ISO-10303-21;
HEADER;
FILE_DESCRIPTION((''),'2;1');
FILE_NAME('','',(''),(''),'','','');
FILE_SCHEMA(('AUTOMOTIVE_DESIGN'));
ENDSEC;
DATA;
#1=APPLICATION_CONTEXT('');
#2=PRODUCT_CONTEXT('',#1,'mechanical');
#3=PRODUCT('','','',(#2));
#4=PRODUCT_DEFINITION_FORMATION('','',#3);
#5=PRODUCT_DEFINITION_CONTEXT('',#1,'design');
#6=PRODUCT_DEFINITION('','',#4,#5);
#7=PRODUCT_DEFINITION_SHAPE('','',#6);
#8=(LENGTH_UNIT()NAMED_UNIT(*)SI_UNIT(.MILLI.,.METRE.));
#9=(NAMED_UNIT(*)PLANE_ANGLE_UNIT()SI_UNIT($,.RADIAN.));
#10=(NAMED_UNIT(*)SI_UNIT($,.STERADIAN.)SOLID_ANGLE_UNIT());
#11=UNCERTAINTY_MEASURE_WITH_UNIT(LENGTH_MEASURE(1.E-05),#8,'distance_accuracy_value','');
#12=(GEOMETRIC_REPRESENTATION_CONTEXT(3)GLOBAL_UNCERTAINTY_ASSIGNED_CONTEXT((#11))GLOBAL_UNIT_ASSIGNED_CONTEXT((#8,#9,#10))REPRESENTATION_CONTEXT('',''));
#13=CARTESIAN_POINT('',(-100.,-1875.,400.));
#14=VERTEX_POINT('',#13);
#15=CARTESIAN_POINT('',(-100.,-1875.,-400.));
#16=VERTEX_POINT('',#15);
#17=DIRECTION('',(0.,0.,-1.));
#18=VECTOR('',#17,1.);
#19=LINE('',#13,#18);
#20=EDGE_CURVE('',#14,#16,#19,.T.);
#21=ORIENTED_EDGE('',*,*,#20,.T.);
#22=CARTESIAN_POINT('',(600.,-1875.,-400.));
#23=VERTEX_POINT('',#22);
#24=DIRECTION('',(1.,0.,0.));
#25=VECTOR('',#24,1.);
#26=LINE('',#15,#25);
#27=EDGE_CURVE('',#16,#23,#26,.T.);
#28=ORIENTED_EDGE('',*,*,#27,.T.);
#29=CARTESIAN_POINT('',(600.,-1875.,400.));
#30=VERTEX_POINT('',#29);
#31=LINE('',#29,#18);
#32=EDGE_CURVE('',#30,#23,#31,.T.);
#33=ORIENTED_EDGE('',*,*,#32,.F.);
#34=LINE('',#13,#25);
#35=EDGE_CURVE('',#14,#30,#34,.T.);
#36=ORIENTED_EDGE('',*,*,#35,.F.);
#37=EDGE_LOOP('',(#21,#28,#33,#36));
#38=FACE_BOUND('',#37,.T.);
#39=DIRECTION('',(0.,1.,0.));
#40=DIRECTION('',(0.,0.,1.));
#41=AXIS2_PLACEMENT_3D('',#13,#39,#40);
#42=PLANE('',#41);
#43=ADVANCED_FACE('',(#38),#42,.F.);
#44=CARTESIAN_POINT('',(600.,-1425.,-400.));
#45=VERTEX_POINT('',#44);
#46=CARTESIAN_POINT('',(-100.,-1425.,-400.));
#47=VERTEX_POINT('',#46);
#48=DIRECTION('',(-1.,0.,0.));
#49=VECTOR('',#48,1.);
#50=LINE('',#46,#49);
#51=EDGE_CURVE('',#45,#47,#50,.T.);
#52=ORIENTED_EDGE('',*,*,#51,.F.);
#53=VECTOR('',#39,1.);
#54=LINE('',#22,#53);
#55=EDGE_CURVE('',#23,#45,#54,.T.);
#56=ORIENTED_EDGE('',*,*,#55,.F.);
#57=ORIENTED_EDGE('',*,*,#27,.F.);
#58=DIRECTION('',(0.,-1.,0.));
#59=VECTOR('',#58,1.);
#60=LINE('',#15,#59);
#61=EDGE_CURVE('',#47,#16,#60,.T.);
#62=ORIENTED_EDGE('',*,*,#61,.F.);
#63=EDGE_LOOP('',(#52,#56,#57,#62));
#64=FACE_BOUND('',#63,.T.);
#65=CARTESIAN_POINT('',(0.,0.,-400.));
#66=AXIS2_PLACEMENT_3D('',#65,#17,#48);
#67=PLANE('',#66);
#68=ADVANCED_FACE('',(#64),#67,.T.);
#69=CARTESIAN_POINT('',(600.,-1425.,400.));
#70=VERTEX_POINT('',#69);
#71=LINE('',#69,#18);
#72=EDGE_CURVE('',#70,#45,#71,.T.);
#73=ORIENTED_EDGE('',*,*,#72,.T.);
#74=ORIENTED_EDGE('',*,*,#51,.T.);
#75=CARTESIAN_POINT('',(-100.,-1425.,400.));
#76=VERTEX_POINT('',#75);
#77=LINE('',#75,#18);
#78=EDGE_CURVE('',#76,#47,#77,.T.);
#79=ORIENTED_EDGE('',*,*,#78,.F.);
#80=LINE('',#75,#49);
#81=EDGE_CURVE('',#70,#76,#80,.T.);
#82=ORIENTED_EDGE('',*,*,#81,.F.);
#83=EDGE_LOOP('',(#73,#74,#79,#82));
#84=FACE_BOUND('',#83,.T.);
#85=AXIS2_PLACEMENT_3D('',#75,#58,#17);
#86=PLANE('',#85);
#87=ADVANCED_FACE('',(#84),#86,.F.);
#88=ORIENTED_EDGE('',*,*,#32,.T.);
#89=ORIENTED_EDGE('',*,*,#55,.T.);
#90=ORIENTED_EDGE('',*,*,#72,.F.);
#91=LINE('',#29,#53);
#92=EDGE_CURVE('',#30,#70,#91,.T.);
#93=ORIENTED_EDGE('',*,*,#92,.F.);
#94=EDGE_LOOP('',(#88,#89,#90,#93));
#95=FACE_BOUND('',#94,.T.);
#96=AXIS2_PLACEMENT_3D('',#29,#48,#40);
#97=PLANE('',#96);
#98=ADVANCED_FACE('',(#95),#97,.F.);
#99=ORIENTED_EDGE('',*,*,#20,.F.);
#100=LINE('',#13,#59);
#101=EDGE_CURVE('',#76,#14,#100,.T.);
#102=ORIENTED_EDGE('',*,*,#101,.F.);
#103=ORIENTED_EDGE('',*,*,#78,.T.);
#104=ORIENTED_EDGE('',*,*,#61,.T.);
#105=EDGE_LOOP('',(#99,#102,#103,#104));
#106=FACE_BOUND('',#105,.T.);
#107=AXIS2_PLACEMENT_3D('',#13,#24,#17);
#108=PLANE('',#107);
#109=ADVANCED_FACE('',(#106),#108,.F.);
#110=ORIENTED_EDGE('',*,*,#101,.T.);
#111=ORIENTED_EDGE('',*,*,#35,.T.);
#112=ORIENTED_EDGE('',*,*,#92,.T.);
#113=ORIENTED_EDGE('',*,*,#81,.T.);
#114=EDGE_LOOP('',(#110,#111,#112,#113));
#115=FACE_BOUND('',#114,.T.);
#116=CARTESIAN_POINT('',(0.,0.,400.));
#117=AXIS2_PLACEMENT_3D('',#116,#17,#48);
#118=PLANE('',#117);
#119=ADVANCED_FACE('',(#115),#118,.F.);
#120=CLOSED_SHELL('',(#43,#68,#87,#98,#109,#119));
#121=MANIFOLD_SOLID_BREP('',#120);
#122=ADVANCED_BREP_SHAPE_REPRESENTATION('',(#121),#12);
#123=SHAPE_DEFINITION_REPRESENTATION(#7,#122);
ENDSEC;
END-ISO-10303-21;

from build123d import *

# Parameters (mm, degrees)
BOSS_EXTRUDE1_START = -400
SKETCH1_W           = 700
SKETCH1_H           = 450
BOSS_EXTRUDE1_DEPTH = 800


with BuildPart() as part:
    # Sketch1 → Boss-Extrude1 (new body)
    with BuildSketch(Plane.XY.offset(BOSS_EXTRUDE1_START)):
        with Locations((250, -1650)):
            Rectangle(SKETCH1_W, SKETCH1_H)
    extrude(amount=BOSS_EXTRUDE1_DEPTH)


solid = part.part
